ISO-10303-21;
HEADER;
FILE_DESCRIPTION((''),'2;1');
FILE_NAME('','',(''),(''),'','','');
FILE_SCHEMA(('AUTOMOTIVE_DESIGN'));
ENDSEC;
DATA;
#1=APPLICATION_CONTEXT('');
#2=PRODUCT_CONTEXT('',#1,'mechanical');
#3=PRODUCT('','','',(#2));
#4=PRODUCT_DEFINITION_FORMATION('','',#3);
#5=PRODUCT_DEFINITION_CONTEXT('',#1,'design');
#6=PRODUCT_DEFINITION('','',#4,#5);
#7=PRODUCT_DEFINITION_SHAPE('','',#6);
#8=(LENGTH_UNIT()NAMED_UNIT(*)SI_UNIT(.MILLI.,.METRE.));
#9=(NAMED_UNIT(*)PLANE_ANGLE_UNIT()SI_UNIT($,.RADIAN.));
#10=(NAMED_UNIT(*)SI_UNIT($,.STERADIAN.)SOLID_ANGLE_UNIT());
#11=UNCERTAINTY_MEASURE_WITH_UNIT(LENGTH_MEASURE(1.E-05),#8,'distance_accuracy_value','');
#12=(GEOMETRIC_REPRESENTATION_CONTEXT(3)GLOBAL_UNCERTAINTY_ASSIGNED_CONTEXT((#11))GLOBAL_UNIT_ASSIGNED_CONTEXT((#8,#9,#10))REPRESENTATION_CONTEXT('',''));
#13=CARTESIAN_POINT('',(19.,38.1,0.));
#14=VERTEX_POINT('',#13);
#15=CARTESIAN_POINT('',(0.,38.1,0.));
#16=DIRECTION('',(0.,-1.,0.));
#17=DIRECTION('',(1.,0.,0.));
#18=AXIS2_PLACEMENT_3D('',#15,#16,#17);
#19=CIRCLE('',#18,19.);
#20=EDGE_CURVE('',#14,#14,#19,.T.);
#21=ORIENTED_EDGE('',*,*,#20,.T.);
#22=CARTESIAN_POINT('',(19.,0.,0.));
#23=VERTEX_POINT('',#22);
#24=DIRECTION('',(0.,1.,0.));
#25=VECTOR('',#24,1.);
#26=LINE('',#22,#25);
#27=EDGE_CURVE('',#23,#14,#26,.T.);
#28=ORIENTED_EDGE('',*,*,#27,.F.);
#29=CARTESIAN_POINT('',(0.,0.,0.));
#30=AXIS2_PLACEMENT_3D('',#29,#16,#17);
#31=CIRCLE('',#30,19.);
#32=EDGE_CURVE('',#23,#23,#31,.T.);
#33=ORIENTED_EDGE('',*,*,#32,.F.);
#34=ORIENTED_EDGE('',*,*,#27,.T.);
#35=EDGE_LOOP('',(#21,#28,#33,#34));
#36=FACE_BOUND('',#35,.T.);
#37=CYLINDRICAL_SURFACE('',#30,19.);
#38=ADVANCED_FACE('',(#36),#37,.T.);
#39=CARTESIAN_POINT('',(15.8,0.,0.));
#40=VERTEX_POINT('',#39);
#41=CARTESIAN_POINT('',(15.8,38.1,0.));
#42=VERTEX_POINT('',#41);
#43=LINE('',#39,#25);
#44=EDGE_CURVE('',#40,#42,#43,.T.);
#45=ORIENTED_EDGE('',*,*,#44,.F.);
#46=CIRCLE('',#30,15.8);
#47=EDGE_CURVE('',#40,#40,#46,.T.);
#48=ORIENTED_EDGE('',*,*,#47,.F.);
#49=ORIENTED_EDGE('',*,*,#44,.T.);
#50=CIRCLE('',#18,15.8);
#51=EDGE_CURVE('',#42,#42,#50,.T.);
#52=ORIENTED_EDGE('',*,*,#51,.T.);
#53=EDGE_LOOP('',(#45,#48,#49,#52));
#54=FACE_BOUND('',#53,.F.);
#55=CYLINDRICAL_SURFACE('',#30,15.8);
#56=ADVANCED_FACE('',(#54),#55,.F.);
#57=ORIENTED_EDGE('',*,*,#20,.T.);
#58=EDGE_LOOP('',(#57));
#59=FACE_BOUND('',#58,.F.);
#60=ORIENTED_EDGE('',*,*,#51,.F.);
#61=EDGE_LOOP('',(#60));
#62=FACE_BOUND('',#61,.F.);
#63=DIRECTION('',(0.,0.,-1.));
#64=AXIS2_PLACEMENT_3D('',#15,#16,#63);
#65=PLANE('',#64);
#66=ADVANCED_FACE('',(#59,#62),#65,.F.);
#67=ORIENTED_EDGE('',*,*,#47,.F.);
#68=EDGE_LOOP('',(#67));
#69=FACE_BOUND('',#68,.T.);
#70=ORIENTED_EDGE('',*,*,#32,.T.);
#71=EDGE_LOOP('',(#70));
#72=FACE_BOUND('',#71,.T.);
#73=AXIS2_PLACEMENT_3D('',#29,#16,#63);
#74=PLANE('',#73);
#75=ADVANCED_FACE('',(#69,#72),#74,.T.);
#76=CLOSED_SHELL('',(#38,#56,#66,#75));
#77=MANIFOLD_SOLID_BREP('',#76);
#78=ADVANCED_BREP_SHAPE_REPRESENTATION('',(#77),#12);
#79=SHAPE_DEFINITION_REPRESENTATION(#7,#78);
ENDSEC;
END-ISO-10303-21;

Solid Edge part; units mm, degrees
sketch "Sketch1" plane through (0, 0, 0) normal (0, -1, 0) x (1, 0, 0)
  circle A0 centre (0, 0) radius 15.8
  circle A1 centre (0, 0) radius 19
  dimension "D1" = 38
  dimension "D2" = 3.2
extrude "Protrusion1" add sketch "Sketch1" against normal blind 38.1
